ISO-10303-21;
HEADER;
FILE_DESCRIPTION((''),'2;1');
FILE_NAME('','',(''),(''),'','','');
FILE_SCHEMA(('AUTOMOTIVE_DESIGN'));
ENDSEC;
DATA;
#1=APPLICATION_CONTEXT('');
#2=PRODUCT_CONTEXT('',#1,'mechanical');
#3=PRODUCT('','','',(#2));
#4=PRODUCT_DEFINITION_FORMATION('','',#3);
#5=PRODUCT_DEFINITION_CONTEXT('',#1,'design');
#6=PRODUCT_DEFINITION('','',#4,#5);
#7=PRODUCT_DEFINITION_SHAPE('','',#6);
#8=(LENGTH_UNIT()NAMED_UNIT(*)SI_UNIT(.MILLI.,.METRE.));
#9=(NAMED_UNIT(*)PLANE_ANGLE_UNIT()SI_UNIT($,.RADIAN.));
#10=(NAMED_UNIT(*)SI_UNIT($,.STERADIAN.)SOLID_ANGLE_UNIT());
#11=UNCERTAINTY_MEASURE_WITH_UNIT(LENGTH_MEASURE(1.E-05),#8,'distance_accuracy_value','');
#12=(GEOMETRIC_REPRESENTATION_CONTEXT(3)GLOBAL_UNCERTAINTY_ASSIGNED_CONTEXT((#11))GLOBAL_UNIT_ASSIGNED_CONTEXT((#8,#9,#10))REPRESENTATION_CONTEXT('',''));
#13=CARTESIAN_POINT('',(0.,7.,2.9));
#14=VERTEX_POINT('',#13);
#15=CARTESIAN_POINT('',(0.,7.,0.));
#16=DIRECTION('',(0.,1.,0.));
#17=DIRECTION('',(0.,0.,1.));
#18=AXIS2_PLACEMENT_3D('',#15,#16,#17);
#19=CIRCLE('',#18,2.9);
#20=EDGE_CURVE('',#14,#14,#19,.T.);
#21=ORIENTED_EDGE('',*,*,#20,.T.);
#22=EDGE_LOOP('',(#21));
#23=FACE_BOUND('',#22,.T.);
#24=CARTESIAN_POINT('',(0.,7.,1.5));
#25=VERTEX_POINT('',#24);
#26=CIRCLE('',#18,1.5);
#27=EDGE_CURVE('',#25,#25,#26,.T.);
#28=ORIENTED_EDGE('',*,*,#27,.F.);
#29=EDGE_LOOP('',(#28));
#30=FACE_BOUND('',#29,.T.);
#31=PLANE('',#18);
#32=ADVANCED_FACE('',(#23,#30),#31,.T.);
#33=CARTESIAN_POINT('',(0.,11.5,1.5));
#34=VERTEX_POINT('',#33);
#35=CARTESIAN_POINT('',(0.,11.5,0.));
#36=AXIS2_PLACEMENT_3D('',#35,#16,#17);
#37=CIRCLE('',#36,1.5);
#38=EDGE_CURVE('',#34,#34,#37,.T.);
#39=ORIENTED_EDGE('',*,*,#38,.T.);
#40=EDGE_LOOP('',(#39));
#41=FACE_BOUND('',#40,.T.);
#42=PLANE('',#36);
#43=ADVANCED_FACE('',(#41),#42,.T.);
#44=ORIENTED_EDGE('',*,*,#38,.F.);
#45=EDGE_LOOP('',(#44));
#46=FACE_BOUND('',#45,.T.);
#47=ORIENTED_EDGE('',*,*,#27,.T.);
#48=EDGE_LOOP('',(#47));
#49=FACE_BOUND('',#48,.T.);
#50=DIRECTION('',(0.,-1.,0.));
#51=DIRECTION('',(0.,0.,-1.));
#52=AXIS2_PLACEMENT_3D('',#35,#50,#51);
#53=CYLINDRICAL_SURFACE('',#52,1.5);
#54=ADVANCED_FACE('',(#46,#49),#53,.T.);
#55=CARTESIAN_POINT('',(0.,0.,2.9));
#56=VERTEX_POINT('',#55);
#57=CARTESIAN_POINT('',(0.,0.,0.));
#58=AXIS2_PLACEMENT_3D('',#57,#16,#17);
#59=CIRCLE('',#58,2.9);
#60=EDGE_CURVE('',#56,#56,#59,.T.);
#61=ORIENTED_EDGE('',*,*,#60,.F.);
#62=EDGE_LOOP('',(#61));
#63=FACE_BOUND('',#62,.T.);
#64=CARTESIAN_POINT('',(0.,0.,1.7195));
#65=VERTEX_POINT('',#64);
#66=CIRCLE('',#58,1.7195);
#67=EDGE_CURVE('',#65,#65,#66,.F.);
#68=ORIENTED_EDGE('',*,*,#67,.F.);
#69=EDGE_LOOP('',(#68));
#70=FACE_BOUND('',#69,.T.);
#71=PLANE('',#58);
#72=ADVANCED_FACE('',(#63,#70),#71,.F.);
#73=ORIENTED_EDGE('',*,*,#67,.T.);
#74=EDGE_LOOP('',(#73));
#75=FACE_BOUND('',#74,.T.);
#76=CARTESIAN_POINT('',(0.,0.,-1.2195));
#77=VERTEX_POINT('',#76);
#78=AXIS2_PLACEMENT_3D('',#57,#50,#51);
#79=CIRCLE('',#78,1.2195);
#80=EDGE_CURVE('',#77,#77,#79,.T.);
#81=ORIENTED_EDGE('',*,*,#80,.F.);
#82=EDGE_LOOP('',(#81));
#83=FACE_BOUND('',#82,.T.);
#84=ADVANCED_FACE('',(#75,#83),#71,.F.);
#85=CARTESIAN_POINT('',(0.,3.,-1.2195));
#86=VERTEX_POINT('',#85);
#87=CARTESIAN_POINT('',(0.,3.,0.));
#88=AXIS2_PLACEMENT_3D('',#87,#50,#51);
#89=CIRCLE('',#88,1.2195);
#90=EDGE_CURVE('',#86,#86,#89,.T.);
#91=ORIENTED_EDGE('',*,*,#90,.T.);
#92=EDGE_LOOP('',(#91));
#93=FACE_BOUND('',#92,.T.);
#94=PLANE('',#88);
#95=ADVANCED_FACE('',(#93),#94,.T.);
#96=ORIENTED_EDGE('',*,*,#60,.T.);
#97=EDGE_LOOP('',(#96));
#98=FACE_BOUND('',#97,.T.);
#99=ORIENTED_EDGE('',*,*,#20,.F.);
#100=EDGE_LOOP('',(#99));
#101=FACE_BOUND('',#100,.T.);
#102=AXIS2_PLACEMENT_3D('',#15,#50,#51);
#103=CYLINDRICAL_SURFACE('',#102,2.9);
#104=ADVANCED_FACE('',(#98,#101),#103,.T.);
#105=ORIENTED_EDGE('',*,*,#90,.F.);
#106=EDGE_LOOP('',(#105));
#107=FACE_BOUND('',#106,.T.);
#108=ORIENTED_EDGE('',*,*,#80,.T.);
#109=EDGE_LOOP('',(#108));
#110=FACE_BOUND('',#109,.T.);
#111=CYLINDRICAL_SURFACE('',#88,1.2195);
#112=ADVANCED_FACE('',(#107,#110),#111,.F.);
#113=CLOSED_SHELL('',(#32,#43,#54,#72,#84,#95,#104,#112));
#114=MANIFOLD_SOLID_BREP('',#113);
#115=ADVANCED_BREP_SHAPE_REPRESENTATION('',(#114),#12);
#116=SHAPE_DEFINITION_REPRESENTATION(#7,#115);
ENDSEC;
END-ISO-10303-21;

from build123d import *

# Parameters (mm, degrees)
OD_BASE_R           = 2.9
STANDOFF_BASE_DEPTH = 7
OD_POST_MOUNT_R     = 1.5
STANDOFF_POST_DEPTH = 4.5
ID_POST_MOUNT_R     = 1.2195
POST_MOUNT_DEPTH    = 3


with BuildPart() as part:
    # OD_base → standoff_base (new body)
    with BuildSketch(Plane(origin=(0, 0, 0), x_dir=(1, 0, 0), z_dir=(0, 1, 0))):
        with Locations(Location((0, 0, 0), (0, 0, 270))):
            Circle(OD_BASE_R)
    extrude(amount=STANDOFF_BASE_DEPTH)

    # OD_post_mount → standoff_post (add)
    with BuildSketch(Plane(origin=(0, 7, 0), x_dir=(1, 0, 0), z_dir=(0, 1, 0))):
        with Locations(Location((0, 0, 0), (0, 0, 270))):
            Circle(OD_POST_MOUNT_R)
    extrude(amount=STANDOFF_POST_DEPTH)

    # ID_post_mount → post_mount (cut)
    with BuildSketch(Plane.XZ):
        with Locations(Location((0, 0, 0), (0, 0, 270))):
            Circle(ID_POST_MOUNT_R)
    extrude(amount=-POST_MOUNT_DEPTH, mode=Mode.SUBTRACT)


solid = part.part
